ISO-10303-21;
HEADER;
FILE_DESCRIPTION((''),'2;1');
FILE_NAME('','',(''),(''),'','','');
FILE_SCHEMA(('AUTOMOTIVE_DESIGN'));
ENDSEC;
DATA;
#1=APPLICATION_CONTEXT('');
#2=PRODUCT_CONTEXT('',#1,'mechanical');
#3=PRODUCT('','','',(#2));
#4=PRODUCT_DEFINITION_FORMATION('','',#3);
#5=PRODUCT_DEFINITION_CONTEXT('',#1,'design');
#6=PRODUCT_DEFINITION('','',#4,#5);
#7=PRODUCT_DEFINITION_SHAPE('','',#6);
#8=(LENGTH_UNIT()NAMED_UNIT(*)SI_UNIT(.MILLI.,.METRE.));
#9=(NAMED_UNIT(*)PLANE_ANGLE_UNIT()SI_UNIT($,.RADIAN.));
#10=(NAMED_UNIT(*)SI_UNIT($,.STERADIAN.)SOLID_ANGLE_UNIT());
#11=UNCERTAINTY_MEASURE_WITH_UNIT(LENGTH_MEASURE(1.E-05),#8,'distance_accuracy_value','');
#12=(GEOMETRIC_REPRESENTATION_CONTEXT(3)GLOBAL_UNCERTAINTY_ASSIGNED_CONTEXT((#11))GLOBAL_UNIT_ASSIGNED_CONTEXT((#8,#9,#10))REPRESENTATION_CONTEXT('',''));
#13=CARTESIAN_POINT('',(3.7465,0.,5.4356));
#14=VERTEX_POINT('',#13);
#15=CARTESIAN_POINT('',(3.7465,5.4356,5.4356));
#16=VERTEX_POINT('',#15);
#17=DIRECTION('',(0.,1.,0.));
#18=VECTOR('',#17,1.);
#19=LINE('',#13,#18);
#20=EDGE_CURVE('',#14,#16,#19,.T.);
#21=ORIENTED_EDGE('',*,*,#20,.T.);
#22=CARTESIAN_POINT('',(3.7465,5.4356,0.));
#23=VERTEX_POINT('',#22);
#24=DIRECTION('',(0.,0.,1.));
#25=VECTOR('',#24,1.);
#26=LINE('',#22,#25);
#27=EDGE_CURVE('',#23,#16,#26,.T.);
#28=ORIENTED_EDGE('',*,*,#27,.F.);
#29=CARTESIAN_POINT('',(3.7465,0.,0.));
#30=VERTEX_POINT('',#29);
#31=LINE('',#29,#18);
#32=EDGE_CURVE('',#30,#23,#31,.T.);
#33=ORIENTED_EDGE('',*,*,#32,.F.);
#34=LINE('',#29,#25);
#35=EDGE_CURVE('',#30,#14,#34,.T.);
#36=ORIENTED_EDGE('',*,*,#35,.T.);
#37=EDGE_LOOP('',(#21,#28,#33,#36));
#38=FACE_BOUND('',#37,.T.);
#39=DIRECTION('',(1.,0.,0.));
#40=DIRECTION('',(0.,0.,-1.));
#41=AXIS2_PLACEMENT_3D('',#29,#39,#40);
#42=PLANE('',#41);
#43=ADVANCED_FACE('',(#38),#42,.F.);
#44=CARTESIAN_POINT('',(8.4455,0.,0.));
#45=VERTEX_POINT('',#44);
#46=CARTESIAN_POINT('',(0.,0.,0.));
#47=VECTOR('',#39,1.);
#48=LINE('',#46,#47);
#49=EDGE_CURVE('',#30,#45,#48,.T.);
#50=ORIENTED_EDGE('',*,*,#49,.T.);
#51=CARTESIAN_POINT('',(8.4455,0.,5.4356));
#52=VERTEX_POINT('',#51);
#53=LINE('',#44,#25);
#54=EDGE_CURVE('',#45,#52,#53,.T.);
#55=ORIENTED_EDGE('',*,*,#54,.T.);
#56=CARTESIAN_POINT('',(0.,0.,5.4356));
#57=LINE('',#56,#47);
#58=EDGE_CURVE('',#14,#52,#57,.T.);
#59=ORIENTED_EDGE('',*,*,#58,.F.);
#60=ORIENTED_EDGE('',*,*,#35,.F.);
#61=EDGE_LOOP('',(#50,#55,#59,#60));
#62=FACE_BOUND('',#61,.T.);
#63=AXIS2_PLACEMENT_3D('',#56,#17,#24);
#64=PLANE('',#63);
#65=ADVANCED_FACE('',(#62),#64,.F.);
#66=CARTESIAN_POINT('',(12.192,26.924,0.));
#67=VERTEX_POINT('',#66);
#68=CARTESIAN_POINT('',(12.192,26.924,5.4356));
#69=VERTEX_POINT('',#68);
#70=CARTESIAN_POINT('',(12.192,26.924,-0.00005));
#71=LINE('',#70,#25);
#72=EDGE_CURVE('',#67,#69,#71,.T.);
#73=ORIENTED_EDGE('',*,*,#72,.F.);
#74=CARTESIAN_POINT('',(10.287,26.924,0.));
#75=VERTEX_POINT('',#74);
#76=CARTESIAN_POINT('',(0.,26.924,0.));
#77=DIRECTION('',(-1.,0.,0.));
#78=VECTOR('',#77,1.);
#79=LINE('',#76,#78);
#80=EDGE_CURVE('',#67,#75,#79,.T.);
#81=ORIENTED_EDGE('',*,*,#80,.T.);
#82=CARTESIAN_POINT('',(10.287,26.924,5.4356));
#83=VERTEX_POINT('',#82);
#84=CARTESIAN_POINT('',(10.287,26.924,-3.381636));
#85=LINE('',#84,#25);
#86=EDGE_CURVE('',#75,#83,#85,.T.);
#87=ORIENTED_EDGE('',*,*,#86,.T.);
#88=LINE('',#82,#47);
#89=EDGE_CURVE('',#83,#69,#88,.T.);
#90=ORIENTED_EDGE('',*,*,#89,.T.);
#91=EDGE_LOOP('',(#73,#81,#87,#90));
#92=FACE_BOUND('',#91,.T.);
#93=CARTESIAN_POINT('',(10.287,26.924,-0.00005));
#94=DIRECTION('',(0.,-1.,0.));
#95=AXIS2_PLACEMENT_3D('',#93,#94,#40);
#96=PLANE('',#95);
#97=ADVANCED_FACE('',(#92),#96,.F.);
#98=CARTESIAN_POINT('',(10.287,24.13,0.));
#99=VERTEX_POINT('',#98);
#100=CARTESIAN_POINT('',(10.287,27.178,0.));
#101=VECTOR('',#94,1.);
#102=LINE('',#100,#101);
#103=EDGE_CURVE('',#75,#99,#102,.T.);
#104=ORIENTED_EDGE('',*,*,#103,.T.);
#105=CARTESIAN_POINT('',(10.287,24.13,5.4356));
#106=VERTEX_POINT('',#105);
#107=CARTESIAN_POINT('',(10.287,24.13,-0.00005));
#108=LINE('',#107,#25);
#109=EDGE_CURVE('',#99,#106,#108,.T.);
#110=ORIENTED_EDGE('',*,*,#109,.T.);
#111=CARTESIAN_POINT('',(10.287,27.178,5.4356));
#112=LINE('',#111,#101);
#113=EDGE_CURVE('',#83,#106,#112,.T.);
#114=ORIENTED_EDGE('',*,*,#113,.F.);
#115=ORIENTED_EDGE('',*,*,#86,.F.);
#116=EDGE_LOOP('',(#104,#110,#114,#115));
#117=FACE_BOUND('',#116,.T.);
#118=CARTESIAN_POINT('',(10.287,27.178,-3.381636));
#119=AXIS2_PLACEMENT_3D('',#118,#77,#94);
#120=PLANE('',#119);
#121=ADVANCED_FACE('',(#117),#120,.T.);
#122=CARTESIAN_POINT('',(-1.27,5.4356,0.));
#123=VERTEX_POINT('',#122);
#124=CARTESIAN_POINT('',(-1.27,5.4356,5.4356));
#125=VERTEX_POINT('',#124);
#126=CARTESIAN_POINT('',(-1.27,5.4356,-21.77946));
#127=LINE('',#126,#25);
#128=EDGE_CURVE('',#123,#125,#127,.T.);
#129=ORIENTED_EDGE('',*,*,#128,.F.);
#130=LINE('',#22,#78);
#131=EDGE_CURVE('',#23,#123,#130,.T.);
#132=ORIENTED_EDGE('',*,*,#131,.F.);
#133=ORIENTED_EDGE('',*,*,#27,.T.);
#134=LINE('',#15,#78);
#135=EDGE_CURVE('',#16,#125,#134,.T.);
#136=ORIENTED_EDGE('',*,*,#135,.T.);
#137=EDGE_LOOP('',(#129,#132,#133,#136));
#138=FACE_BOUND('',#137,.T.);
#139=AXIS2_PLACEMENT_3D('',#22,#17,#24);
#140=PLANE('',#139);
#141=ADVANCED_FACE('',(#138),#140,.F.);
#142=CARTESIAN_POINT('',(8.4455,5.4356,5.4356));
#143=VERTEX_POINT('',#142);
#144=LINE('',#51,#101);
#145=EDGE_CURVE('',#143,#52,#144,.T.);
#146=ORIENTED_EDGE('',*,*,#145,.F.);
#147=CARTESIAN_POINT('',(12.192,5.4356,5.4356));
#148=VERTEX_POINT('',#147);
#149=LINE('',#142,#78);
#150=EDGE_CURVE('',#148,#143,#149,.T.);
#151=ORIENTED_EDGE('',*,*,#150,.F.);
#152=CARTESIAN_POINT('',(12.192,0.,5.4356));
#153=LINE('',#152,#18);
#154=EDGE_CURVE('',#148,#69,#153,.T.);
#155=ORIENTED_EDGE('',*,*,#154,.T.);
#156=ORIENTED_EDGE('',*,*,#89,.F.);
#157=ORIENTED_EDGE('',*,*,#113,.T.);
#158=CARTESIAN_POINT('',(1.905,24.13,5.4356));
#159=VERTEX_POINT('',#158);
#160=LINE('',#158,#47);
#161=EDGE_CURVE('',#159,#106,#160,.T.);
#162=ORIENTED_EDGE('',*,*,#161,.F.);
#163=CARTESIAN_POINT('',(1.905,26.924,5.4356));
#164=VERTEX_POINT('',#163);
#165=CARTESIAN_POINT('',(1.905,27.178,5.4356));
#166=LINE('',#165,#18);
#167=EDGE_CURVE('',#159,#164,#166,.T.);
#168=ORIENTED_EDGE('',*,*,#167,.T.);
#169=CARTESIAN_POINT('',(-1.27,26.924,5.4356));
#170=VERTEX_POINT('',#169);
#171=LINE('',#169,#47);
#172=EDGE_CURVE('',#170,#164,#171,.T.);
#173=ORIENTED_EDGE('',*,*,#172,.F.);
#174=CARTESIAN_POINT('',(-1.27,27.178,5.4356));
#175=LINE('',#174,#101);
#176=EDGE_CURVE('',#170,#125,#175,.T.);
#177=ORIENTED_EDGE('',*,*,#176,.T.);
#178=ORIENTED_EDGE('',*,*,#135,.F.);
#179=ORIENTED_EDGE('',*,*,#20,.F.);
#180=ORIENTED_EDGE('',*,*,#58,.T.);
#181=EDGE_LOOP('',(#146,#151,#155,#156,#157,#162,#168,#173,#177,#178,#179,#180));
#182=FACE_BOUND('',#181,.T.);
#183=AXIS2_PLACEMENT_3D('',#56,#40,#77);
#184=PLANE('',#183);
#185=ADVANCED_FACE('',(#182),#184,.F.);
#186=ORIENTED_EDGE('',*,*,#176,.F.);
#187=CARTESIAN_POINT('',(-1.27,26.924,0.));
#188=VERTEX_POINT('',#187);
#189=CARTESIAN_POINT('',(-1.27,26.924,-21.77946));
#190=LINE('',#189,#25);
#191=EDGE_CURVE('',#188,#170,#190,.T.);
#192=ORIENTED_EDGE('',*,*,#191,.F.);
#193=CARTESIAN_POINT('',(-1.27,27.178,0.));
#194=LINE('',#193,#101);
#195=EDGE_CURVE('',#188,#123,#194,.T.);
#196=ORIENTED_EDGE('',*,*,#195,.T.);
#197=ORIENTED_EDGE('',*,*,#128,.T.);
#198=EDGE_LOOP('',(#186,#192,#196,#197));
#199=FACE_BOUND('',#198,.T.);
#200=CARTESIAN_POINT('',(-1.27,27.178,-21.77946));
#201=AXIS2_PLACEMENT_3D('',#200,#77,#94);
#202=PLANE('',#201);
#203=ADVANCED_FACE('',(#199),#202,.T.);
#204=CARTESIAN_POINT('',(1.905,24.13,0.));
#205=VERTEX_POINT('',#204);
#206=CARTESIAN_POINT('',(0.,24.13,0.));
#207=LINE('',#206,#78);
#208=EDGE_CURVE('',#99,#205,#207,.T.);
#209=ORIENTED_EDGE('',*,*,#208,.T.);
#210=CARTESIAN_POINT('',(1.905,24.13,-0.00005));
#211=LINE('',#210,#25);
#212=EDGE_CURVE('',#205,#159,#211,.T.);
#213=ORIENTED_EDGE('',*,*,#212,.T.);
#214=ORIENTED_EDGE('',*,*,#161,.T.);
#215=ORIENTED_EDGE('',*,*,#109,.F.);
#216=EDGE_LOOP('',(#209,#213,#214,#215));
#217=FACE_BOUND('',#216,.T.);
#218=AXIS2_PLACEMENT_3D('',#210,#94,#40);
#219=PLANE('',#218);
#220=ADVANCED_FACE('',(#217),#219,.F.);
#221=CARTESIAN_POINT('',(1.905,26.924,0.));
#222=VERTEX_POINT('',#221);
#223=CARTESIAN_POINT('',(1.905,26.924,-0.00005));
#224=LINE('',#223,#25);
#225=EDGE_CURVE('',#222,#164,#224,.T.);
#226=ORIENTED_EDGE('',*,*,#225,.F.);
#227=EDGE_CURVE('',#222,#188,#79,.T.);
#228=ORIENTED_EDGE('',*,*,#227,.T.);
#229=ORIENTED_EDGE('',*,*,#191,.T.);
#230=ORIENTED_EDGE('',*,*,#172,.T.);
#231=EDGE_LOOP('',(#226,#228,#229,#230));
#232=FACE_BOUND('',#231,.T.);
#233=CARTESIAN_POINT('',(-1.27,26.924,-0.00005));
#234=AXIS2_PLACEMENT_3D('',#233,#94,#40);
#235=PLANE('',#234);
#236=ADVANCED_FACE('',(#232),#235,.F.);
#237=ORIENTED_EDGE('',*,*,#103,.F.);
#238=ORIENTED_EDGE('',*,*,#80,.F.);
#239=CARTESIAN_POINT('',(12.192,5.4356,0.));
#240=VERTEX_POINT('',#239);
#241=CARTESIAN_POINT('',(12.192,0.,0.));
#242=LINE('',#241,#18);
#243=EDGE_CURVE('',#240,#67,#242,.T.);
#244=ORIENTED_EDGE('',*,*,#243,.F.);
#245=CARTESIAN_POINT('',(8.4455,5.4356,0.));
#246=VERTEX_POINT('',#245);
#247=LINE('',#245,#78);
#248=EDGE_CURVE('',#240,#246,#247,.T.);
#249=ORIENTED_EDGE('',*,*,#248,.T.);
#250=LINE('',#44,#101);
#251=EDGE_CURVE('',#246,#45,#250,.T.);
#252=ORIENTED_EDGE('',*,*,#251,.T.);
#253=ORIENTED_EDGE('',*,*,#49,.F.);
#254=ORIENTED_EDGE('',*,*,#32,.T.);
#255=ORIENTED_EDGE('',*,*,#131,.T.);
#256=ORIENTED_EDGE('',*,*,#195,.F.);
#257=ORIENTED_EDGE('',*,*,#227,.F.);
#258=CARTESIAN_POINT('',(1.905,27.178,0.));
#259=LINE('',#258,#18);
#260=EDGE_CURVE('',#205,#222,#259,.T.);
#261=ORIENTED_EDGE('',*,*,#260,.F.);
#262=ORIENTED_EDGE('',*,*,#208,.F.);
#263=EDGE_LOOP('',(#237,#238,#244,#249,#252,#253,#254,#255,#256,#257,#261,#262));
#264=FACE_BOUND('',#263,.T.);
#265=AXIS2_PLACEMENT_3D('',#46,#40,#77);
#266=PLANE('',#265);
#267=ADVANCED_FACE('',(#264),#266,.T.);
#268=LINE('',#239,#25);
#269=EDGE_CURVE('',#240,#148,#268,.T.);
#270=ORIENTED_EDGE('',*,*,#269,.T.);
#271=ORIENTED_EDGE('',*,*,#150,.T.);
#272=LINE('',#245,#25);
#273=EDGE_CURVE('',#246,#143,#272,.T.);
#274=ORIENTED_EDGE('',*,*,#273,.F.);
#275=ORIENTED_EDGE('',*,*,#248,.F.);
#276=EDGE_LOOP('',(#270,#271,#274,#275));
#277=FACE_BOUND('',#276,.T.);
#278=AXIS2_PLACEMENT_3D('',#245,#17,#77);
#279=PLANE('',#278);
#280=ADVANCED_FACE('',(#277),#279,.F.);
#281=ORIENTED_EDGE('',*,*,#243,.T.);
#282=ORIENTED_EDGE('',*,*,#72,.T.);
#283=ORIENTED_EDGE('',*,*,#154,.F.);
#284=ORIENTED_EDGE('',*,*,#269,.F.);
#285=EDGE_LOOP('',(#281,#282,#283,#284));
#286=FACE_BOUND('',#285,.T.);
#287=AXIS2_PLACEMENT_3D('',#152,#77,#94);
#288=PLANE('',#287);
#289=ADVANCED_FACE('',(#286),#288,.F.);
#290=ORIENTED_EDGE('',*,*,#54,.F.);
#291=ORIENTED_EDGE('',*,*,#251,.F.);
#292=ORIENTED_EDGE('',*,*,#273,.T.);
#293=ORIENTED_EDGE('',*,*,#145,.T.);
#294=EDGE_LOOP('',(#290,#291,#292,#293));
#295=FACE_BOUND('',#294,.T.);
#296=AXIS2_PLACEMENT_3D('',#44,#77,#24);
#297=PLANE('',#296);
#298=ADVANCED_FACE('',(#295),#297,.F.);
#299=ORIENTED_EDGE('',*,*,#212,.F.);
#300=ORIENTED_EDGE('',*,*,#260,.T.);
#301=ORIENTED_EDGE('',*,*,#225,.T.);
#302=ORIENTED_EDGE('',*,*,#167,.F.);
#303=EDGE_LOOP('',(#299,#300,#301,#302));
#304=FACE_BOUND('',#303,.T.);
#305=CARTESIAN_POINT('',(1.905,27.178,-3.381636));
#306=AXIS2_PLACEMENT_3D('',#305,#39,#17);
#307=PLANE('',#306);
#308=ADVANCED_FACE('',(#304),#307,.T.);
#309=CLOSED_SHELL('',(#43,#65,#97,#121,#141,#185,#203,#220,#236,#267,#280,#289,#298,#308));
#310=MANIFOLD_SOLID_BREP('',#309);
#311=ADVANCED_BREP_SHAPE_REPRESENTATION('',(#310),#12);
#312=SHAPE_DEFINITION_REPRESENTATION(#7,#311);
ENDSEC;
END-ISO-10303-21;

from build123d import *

# Parameters (mm, degrees)
SKETCH1_W           = 12.192
SKETCH1_H           = 24.384
BOSS_EXTRUDE1_DEPTH = 5.4356
SKETCH2_W           = 3.7465
SKETCH2_H           = 5.4356
CUT_EXTRUDE1_DEPTH  = 5.4356
SKETCH3_W           = 1.905
SKETCH3_H           = 2.794
BOSS_EXTRUDE2_DEPTH = 5.4356
SKETCH4_W           = 1.27
SKETCH4_H           = 21.7424
BOSS_EXTRUDE3_DEPTH = 5.4356
SKETCH5_W           = 3.175
SKETCH5_H           = 0.254
SKETCH5_W_2         = 1.905
SKETCH5_W_3         = 8.382
CUT_EXTRUDE2_DEPTH  = 31.279271711


with BuildPart() as part:
    # Sketch1 → Boss-Extrude1 (new body)
    with BuildSketch(Plane.XY):
        with Locations((6.096, 12.192)):
            Rectangle(SKETCH1_W, SKETCH1_H)
    extrude(amount=BOSS_EXTRUDE1_DEPTH)

    # Sketch2 → Cut-Extrude1 (cut)
    with BuildSketch(Plane.XY.offset(5.4356)):
        with Locations((1.87325, 2.7178)):
            Rectangle(SKETCH2_W, SKETCH2_H)
        with Locations((10.31875, 2.7178)):
            Rectangle(SKETCH2_W, SKETCH2_H)
    extrude(amount=-CUT_EXTRUDE1_DEPTH, mode=Mode.SUBTRACT)

    # Sketch3 → Boss-Extrude2 (add)
    with BuildSketch(Plane.XY.offset(5.4356)):
        with Locations((0.9525, 25.781)):
            Rectangle(SKETCH3_W, SKETCH3_H)
        with Locations((11.2395, 25.781)):
            Rectangle(SKETCH3_W, SKETCH3_H)
    extrude(amount=-BOSS_EXTRUDE2_DEPTH)

    # Sketch4 → Boss-Extrude3 (add)
    with BuildSketch(Plane.XY.offset(5.4356)):
        with Locations((-0.635, 16.3068)):
            Rectangle(SKETCH4_W, SKETCH4_H)
    extrude(amount=-BOSS_EXTRUDE3_DEPTH)

    # Sketch5 → Cut-Extrude2 (cut, through all)
    with BuildSketch(Plane.XY.offset(5.4356)):
        with Locations((0.3175, 27.051)):
            Rectangle(SKETCH5_W, SKETCH5_H)
        with Locations((11.2395, 27.051)):
            Rectangle(SKETCH5_W_2, SKETCH5_H)
        with Locations((6.096, 24.257)):
            Rectangle(SKETCH5_W_3, SKETCH5_H)
    extrude(amount=-CUT_EXTRUDE2_DEPTH, mode=Mode.SUBTRACT)


solid = part.part
